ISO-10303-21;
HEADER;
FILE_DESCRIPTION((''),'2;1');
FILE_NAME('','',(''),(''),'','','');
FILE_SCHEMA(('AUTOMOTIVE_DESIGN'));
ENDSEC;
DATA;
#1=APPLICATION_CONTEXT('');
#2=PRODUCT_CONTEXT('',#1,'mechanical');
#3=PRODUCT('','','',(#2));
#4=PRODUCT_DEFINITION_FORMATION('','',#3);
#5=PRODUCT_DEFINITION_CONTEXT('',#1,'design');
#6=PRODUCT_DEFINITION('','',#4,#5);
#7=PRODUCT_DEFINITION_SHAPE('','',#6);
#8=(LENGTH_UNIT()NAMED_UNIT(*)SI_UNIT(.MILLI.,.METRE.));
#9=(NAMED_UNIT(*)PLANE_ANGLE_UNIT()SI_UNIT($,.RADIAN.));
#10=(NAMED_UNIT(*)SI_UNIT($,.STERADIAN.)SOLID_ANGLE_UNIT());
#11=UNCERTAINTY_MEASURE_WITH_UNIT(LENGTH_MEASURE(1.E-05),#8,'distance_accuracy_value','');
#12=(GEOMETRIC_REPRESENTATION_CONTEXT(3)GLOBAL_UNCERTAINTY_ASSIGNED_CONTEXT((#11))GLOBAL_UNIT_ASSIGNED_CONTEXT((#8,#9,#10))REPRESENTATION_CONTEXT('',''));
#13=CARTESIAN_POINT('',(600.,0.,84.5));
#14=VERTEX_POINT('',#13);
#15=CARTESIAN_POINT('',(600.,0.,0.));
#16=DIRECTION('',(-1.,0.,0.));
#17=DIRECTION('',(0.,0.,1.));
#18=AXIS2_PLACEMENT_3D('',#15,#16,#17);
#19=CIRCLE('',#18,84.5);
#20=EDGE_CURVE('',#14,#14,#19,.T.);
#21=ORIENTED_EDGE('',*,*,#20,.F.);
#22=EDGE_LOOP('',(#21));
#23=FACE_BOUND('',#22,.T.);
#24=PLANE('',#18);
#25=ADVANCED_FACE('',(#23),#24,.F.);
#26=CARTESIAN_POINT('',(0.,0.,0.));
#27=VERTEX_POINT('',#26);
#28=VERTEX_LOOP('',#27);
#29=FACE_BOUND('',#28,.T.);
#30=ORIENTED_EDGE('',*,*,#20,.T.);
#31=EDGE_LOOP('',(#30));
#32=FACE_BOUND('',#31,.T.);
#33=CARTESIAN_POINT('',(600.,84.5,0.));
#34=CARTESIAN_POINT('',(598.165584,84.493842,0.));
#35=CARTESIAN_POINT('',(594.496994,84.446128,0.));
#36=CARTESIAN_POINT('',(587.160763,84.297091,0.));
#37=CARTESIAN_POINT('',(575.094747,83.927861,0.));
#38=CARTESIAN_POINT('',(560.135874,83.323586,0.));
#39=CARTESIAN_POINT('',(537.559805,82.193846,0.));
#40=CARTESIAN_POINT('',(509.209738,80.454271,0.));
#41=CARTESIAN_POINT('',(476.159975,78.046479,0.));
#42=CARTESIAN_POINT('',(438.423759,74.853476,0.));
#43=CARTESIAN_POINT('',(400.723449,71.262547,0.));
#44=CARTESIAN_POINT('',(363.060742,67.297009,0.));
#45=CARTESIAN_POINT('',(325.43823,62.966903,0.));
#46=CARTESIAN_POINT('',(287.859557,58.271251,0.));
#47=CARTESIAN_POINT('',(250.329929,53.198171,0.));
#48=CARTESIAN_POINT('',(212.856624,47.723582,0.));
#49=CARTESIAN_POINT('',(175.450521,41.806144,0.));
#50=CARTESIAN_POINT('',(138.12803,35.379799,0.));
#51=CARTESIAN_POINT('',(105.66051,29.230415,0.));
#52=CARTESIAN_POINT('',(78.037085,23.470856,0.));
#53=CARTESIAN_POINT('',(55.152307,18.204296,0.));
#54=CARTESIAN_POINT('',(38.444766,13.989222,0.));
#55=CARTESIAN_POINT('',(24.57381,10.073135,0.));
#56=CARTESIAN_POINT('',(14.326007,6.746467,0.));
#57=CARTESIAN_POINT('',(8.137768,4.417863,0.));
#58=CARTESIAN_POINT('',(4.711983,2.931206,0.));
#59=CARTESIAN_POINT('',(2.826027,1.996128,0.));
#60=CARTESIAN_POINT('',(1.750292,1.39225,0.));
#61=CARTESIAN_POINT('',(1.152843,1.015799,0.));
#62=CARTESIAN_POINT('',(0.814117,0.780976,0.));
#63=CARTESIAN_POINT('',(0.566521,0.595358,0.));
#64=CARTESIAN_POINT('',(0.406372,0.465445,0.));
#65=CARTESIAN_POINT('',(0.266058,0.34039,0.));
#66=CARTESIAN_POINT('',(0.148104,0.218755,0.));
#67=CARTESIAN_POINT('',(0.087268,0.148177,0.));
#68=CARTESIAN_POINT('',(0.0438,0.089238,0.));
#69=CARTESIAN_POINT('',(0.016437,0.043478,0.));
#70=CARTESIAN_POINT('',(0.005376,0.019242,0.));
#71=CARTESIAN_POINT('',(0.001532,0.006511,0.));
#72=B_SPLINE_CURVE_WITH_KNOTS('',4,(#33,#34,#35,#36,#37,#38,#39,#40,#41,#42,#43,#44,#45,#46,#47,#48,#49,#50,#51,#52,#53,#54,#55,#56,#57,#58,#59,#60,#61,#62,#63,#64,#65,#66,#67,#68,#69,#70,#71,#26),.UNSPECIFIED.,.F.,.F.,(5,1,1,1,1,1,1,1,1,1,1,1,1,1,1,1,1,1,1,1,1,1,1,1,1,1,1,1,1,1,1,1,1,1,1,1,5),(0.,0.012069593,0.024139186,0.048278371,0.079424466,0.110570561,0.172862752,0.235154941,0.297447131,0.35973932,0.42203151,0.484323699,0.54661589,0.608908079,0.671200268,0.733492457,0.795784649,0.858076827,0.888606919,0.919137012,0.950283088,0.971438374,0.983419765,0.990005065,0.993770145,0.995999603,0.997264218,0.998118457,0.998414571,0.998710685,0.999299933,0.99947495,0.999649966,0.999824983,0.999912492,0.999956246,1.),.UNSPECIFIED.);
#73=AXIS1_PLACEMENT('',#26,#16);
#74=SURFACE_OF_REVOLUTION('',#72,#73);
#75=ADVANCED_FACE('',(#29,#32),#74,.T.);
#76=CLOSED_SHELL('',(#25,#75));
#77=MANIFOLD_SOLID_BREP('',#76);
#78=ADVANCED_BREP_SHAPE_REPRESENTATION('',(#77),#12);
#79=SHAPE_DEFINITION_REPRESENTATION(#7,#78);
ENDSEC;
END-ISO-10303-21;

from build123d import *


with BuildPart() as part:
    # Sketch1 → Revolve1 (revolve)
    with BuildSketch(Plane.XY):
        with BuildLine():
            Line((0, 0), (600, 0))
            Line((600, 0), (600, 84.5))
            add(Edge.make_bspline(
                [(0, 0), (0.00153162, 0.006510857), (0.005376169, 0.019242352), (0.016436781, 0.04347782), (0.043799891, 0.089238459), (0.087268295, 0.148177127), (0.148103608, 0.218754829), (0.2660579, 0.340389674), (0.406372153, 0.465444665), (0.566521252, 0.595358113), (0.814117414, 0.780975633), (1.152842533, 1.015799242), (1.750292214, 1.392249528), (2.826027495, 1.996128068), (4.711982577, 2.931206398), (8.137767962, 4.417863213), (14.32600732, 6.746466907), (24.573809794, 10.073135304), (38.444765886, 13.989221552), (55.152307362, 18.204296209), (78.037084853, 23.470855968), (105.660510073, 29.230414635), (138.12802968, 35.37979853), (175.450520807, 41.80614442), (212.856624159, 47.723581823), (250.32992885, 53.198171442), (287.859557226, 58.271251189), (325.438230039, 62.966902998), (363.06074249, 67.297009471), (400.723448557, 71.262547271), (438.423758914, 74.853476048), (476.159975058, 78.04647884), (509.209738341, 80.454270833), (537.559805467, 82.193846268), (560.135873752, 83.323585704), (575.094746846, 83.927861205), (587.160763408, 84.297090638), (594.496994016, 84.446128279), (598.165584186, 84.493841516), (600, 84.5)],
                knots=[0, 0, 0, 0, 0, 4.3754e-05, 8.7508e-05, 0.000175017, 0.000350034, 0.00052505, 0.000700067, 0.001289315, 0.001585429, 0.001881543, 0.002735782, 0.004000397, 0.006229855, 0.009994935, 0.016580235, 0.028561626, 0.049716912, 0.080862988, 0.111393081, 0.141923173, 0.204215351, 0.266507543, 0.328799732, 0.391091921, 0.45338411, 0.515676301, 0.57796849, 0.64026068, 0.702552869, 0.764845059, 0.827137248, 0.889429439, 0.920575534, 0.951721629, 0.975860814, 0.987930407, 1, 1, 1, 1, 1], degree=4))
        make_face()
    revolve(axis=Axis((0, 0, 0), (1, 0, 0)))


solid = part.part
